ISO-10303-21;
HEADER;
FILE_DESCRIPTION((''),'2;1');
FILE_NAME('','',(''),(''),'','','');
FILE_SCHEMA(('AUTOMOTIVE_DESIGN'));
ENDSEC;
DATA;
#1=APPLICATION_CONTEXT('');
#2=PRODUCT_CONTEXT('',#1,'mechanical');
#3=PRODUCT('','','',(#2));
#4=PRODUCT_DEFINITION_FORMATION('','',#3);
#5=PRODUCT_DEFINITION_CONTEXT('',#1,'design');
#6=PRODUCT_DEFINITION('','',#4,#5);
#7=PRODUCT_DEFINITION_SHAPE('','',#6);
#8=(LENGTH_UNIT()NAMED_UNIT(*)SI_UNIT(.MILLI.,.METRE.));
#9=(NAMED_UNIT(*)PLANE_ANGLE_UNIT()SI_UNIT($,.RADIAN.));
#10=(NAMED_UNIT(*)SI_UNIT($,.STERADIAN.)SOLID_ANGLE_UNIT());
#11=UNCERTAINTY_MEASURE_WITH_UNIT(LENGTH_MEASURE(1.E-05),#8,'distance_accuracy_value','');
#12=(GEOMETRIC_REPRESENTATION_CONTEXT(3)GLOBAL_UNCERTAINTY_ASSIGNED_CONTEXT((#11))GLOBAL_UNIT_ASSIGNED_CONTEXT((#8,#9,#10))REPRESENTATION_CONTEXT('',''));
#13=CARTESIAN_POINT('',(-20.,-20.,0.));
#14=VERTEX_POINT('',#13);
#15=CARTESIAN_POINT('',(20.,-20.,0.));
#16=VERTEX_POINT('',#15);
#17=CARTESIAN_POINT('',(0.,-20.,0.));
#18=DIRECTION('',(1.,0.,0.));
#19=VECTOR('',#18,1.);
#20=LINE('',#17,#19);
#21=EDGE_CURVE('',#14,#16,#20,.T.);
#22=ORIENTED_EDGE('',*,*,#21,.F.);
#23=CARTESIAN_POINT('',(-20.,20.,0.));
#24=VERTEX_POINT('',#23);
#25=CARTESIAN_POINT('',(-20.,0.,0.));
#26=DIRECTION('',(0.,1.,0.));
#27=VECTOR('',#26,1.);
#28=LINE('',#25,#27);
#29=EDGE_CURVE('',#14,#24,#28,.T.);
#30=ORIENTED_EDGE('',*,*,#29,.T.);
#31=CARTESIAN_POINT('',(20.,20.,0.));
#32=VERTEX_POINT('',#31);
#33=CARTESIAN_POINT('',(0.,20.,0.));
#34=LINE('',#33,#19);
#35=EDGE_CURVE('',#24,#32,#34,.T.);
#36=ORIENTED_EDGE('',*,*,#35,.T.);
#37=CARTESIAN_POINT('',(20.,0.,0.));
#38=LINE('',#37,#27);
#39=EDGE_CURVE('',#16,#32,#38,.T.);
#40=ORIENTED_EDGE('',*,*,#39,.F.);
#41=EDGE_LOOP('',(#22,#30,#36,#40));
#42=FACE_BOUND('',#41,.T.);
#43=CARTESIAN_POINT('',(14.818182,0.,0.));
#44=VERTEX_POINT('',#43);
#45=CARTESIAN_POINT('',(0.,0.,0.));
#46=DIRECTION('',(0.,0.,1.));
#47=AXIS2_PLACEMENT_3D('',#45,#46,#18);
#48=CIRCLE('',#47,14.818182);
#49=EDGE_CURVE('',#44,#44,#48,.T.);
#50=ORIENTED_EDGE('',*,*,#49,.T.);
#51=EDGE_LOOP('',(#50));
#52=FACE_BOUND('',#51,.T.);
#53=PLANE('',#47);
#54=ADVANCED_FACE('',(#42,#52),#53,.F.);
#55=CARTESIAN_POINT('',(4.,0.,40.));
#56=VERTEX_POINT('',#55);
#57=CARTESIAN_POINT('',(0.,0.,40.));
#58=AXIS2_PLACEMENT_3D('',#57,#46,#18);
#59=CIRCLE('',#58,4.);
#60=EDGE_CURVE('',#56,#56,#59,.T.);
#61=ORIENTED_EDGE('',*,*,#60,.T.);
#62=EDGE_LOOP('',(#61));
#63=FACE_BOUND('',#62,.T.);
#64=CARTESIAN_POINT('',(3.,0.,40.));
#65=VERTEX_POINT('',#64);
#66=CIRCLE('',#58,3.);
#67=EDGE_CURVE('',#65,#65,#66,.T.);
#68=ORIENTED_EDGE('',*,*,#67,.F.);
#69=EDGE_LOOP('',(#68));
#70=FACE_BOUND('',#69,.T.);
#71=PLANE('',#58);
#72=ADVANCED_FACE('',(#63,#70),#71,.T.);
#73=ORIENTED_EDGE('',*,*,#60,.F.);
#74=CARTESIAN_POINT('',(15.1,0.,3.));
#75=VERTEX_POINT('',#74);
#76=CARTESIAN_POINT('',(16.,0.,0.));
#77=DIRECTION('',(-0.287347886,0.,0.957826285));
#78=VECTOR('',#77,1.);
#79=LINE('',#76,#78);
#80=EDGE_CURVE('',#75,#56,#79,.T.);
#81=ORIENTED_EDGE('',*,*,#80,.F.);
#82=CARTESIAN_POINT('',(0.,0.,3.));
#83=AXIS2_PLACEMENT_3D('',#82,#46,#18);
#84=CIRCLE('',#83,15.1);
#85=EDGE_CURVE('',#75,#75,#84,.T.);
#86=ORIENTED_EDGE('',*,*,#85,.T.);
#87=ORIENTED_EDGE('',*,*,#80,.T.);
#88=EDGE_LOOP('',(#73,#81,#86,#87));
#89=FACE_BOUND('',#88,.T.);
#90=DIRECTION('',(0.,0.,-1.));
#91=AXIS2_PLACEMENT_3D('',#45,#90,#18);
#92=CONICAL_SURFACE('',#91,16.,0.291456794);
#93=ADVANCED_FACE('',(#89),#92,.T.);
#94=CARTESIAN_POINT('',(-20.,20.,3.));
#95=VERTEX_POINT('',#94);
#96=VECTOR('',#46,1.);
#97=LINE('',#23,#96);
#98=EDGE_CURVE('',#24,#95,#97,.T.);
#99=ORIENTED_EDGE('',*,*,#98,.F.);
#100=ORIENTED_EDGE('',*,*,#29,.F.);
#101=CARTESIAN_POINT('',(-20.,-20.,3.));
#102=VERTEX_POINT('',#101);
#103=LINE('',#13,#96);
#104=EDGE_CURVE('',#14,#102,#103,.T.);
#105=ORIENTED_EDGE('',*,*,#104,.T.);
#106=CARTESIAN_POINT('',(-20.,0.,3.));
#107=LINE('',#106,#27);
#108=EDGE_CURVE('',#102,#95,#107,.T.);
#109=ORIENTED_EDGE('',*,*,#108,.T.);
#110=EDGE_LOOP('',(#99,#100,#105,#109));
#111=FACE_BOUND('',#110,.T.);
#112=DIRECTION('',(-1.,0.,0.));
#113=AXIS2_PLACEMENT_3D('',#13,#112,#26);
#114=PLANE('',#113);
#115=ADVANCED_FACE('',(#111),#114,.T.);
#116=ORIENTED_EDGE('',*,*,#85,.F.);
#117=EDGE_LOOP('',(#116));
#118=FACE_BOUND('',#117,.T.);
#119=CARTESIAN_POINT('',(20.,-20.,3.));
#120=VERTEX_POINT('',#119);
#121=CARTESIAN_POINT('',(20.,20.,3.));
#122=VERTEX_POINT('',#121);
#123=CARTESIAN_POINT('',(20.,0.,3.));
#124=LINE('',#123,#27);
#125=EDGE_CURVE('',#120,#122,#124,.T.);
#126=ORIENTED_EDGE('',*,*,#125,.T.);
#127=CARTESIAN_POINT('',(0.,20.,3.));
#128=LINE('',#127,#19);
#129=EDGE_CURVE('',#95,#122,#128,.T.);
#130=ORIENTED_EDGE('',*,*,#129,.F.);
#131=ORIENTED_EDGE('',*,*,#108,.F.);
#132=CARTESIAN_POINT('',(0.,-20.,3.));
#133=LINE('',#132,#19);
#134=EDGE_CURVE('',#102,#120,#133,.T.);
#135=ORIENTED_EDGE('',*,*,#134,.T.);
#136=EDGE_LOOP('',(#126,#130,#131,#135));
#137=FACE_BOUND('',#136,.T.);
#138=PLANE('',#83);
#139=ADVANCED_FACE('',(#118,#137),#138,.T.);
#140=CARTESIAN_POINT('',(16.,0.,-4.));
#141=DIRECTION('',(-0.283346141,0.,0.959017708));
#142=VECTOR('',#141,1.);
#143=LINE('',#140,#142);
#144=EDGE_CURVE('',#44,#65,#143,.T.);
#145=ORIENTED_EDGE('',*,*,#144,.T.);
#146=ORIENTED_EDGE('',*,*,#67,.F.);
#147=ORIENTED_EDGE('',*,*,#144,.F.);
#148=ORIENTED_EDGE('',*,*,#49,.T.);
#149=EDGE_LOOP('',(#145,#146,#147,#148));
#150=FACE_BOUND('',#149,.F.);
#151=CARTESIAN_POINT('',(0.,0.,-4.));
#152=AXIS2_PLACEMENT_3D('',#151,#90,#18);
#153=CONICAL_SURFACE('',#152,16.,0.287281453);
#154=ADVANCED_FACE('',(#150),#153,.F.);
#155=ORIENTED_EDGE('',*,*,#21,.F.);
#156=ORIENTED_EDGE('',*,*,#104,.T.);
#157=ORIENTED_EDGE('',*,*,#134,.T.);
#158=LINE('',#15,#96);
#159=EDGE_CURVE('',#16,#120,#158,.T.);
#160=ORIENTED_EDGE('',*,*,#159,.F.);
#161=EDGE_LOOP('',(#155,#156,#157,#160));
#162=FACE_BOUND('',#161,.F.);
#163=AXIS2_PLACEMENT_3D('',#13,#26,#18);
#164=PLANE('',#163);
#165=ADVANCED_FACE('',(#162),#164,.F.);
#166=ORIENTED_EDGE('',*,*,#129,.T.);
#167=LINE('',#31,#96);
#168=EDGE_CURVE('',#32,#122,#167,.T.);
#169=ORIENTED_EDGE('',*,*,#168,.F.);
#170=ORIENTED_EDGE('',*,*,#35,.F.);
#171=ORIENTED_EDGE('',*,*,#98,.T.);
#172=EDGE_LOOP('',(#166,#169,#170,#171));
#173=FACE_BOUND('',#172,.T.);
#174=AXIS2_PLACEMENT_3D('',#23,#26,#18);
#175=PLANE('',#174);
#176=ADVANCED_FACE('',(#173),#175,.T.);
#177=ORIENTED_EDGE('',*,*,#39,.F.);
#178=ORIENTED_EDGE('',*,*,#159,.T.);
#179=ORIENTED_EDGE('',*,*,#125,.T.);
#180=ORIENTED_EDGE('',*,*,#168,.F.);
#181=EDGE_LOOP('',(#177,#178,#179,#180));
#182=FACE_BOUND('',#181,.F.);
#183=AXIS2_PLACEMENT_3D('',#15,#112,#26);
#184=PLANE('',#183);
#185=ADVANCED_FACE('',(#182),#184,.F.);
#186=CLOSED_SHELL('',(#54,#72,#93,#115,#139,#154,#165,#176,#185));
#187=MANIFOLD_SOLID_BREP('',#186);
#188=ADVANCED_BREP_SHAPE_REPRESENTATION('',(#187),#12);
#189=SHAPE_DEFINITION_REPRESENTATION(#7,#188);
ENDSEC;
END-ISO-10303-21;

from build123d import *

# Parameters (mm, degrees)
BOX_W     = 40
BOX_H     = 40
BOX_DEPTH = 3


with BuildPart() as cono:
    # Cone001 → Cone001 (revolve)
    with BuildSketch(Plane(origin=(0, 0, -4), x_dir=(1, 0, 0), z_dir=(0, -1, 0))):
        Polygon((0, 0), (16, 0), (3, 44), (0, 44), align=None)
    revolve(axis=Axis((0, 0, -4), (0, 0, 1)))


with BuildPart() as cone:
    # Cone → Cone (revolve)
    with BuildSketch(Plane.XZ):
        Polygon((0, 0), (16, 0), (4, 40), (0, 40), align=None)
    revolve(axis=Axis((0, 0, 0), (0, 0, 1)))


with BuildPart() as cut:
    # Box → Box (new body)
    with BuildSketch(Plane(origin=(-20, -20, 0), x_dir=(1, 0, 0), z_dir=(0, 0, 1))):
        with Locations((20, 20)):
            Rectangle(BOX_W, BOX_H)
    extrude(amount=BOX_DEPTH)

    # Fusion: union Cone
    add(cone.part)

    # Cut: cut Cono
    add(cono.part, mode=Mode.SUBTRACT)


solid = cut.part
